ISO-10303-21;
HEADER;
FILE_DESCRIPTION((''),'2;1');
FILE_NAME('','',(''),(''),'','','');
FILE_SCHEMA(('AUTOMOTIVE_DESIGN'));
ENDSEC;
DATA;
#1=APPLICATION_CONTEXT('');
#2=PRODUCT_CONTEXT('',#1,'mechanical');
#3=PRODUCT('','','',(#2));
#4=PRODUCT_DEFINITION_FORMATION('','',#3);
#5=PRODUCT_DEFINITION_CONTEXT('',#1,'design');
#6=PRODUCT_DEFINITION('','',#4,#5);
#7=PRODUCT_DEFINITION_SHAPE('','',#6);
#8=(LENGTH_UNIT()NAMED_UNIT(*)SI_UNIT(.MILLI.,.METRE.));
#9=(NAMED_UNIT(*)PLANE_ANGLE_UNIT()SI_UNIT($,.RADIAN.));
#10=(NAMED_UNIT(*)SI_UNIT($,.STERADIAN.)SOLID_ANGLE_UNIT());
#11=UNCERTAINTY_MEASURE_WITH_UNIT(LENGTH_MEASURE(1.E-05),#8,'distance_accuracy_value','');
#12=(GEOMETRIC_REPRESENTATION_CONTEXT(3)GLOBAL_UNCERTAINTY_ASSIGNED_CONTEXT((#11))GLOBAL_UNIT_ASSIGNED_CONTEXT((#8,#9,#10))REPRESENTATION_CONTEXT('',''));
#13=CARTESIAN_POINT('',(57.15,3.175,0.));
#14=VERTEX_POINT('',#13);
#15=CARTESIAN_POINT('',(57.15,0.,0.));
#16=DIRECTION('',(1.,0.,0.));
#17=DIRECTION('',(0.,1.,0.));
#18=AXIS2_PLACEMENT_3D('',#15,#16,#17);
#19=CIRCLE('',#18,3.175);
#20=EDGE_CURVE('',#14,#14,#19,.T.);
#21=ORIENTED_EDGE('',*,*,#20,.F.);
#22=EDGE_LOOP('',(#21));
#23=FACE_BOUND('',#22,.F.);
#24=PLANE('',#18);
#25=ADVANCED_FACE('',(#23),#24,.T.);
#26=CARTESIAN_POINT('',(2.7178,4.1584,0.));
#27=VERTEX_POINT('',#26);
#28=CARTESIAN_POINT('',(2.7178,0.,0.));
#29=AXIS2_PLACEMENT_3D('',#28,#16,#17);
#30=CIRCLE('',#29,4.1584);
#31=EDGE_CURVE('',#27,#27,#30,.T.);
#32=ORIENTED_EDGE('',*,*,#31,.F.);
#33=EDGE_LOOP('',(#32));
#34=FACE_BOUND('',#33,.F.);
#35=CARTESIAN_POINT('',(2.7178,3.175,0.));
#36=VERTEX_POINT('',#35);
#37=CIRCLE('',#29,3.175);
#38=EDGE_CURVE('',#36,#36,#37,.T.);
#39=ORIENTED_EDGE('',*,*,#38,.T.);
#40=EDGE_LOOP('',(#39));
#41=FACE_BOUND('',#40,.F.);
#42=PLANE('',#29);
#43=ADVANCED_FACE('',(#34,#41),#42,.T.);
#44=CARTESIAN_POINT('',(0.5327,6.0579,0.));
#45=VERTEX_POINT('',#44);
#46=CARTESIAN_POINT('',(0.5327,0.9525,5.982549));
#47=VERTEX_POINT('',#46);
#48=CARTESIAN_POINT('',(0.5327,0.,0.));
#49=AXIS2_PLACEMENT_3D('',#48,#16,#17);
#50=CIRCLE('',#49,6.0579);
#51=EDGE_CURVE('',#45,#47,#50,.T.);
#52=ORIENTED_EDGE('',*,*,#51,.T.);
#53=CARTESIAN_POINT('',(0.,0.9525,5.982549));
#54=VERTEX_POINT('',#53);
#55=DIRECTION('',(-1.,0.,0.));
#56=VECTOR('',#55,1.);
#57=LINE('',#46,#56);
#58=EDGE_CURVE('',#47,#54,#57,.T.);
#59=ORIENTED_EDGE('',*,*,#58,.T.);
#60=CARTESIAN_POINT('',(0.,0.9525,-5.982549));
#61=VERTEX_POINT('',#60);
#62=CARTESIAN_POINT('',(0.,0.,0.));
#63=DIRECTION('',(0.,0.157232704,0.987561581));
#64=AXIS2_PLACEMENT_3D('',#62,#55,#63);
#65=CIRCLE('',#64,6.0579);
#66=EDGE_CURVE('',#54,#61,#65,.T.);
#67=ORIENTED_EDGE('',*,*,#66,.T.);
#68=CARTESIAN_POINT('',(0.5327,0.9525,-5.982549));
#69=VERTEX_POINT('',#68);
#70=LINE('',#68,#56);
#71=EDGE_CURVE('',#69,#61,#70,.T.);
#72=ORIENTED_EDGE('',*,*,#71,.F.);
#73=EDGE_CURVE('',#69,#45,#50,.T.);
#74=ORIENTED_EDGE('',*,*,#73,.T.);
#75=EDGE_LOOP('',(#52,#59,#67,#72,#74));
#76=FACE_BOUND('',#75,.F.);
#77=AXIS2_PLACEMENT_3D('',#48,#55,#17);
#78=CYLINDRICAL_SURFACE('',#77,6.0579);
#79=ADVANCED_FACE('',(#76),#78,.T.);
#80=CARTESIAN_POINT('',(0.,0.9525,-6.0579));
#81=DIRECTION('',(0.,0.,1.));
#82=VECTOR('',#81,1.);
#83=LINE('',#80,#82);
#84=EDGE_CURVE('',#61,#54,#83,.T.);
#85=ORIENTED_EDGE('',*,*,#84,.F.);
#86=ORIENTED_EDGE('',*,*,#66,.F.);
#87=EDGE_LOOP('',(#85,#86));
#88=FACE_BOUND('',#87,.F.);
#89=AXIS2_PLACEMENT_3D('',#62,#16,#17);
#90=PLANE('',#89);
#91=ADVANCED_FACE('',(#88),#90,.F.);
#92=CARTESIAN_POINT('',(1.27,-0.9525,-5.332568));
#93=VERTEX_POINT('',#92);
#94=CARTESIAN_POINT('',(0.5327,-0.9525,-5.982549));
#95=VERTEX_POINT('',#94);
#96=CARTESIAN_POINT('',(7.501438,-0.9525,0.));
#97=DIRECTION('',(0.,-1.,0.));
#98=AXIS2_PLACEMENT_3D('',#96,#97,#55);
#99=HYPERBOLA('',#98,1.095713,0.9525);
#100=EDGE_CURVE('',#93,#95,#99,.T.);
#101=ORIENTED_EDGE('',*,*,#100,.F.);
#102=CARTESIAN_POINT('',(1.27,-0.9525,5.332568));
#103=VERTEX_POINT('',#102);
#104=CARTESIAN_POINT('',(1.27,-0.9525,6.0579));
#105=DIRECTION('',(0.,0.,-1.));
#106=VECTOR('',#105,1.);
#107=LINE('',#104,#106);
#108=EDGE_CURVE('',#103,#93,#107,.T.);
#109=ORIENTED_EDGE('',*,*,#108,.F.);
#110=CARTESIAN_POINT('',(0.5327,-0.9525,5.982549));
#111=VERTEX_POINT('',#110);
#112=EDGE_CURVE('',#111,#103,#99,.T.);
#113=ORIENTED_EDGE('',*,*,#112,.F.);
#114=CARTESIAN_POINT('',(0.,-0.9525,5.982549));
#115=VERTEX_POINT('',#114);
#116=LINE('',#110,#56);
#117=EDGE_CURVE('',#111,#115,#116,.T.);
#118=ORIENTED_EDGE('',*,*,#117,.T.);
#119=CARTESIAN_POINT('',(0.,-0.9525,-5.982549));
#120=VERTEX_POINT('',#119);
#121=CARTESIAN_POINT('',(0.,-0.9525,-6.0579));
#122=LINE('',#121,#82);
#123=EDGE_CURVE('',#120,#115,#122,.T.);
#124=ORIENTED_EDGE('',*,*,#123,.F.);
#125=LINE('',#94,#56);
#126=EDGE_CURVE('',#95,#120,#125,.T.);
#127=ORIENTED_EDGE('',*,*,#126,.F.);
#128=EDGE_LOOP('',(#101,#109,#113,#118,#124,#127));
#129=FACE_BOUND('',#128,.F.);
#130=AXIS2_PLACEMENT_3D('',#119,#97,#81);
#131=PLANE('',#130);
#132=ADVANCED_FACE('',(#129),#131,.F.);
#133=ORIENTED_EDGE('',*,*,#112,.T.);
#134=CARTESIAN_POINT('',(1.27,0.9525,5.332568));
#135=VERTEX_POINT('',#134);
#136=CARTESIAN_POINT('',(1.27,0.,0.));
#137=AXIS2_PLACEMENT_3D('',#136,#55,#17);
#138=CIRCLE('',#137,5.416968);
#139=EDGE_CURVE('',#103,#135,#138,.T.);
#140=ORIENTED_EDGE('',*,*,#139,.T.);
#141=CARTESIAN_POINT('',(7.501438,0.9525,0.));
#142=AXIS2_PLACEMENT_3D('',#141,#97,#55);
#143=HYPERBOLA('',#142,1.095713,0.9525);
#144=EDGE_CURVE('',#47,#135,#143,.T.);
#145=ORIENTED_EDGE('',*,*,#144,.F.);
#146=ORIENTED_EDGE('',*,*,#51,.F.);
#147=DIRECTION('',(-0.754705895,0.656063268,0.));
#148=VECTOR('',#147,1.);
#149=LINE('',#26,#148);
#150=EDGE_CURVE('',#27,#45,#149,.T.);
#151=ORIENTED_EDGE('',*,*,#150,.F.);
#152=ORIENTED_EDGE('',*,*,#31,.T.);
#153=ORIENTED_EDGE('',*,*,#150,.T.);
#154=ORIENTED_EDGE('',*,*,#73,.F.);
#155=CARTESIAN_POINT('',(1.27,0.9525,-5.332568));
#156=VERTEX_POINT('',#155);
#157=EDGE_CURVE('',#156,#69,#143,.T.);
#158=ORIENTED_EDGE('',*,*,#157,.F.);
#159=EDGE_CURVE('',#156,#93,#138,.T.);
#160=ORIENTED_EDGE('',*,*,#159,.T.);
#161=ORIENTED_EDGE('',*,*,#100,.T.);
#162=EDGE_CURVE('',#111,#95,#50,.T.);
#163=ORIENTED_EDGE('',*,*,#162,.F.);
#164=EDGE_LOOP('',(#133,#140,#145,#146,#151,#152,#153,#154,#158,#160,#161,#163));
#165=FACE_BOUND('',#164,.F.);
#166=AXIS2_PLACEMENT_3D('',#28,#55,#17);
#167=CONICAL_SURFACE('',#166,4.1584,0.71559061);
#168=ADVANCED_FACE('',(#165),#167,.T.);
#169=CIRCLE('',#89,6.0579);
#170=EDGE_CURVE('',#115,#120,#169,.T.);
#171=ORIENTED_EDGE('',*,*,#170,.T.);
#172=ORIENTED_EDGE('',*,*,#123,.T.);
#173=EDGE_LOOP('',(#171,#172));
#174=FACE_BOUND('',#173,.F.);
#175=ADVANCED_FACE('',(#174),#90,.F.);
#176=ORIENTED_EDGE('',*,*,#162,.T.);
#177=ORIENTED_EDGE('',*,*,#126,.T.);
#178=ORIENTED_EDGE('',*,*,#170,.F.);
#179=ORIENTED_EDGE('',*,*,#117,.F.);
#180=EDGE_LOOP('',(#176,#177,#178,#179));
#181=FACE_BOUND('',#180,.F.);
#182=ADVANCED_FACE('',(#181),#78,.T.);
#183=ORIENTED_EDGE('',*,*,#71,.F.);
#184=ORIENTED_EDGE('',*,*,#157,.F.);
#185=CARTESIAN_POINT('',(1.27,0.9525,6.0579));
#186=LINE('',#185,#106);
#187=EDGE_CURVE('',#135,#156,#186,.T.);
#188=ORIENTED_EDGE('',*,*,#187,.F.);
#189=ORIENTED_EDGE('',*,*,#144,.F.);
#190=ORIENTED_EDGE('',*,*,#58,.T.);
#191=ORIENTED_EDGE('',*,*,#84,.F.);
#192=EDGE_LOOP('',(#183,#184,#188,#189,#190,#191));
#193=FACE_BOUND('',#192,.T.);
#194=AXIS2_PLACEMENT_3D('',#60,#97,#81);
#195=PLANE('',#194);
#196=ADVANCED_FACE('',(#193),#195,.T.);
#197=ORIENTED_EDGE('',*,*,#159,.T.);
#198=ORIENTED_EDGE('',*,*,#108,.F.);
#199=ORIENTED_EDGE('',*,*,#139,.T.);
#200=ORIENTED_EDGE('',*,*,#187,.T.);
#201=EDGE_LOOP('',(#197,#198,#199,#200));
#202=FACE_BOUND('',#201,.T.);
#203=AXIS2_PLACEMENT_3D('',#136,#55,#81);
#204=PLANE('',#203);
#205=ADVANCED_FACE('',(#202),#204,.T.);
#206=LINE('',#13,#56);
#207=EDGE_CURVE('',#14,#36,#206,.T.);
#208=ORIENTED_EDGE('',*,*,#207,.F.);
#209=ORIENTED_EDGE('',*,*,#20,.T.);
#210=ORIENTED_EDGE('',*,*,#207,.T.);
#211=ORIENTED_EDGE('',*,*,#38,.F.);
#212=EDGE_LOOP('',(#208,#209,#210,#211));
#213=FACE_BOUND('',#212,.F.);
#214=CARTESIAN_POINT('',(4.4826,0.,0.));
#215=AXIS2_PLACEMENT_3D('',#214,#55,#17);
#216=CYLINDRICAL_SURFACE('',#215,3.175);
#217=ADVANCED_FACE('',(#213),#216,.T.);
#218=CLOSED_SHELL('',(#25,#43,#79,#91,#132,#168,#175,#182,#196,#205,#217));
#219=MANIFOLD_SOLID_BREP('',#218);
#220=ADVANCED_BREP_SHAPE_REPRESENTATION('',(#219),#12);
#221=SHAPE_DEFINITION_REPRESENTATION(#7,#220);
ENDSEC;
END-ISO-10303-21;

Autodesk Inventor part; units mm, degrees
ref_plane "YZ Plane" through (0, 0, 0) normal (1, 0, 0) x (0, 1, 0)
ref_plane "XZ Plane" through (0, 0, 0) normal (0, 1, 0) x (-1, 0, 0)
sketch "Sketch1" plane through (0, 0, 0) normal (0, 0, 1) x (1, 0, 0)
  line L0 (-11.43, 0) -> (68.58, 0) projected
  line L1 (0, 0) -> (57.15, 0)
  line L2 (57.15, 0) -> (57.15, 3.175)
  line L3 (57.15, 3.175) -> (5.8928, 3.175)
  line L4 (5.8928, 3.175) -> (4.4826, 3.175)
  line L5 (4.4826, 3.175) -> (2.7178, 3.175)
  line L6 (2.7178, 3.175) -> (2.7178, 4.1584)
  line L7 (2.7178, 4.1584) -> (0.5327, 6.0579)
  line L8 (0.5327, 6.0579) -> (0, 6.0579)
  line L9 (0, 6.0579) -> (0, 0)
  line L10 (0, -1.2116) -> (0, 7.2695) projected
  line L11 (5.8928, 3.175) -> (2.7178, 3.175) construction
  dimension "d2" = 57.15
  dimension "d3" = 2.7178
  dimension "d4" = 51.2572
  dimension "d5" = 1.4102
  dimension "d6" = 6.35
  dimension "d7" = 6.35
  dimension "d8" = 8.3168
  dimension "d9" = 12.1158
  dimension "d10" = 41
revolve "Body" add sketch "Sketch1" angle 360 about axis through (0, 0, 0) along (1, 0, 0)
sketch "Sketch2" plane through (0, 0, 0) normal (-1, 0, 0) x (0, 0, 1)
  circle A0 centre (0, 0) radius 6.0579 projected
  line L0 (-8.4811, 0) -> (8.4811, 0) projected
  line L1 (-6.0579, 0) -> (-6.0579, 0.9525)
  line L2 (-6.0579, 0.9525) -> (6.0579, 0.9525)
  line L3 (6.0579, 0) -> (6.0579, 0.9525)
  line L4 (-6.0579, 0) -> (-6.0579, -0.9525)
  line L5 (-6.0579, -0.9525) -> (6.0579, -0.9525)
  line L6 (6.0579, 0) -> (6.0579, -0.9525)
  dimension "d15" = 1.905
extrude "Slot" cut sketch "Sketch2" against normal blind 1.27 contours L0 A0 L2 | L6 L5 A0 | A0 L5 L0 | A0 L2 L3 | L1 L2 A0 | A0 L5 L4
thread "Thread" size "1/4-20 UNC" class "2A" standard "ANSI Unified Screw Threads" length 51.2572
ref_plane "Work Plane1" through (7.5584, 0, 0) normal (0, 0, -1) x (1, 0, 0)
equation "\"d2\" = NLG"
equation "\"d3\" = KOH"
equation "\"d4\" = GEL"
equation "\"d5\" = GAL"
equation "\"d6\" = GD"
equation "\"d7\" = BDM"
equation "\"d8\" = KOD1"
equation "\"d9\" = KOD"
equation "\"d10\" = 0.5 * SEWI"
equation "\"d15\" = SBR"
equation "\"d16\" = STI"
equation "\"d12\" = GEL"
equation "\"NND\" = 6.35"
equation "\"NLG\" = 57.15"
equation "\"GEL\" = 51.2572"
equation "\"KOH\" = 2.7178"
equation "\"KOD\" = 12.1158"
equation "\"SBR\" = 1.905"
equation "\"STI\" = 1.27"
equation "\"GAL\" = 1.41021"
equation "\"SPD\" = 4.445"
equation "\"GD\" = NND"
equation "\"KOD1\" = 8.3168"
equation "\"BDM\" = NND"
equation "\"SEWI\" = 82deg"
equation "\"GUL\" = 0.0254"
equation "\"THREADDIA\" = 6.35"
equation "\"TOA\" = 30deg"
equation "\"GD1\" = SPD"
properties part number "ANSI B18.6.3 - 1/4-20 UNC x 2.25, SUFCHMSI" material "Steel, Mild"
